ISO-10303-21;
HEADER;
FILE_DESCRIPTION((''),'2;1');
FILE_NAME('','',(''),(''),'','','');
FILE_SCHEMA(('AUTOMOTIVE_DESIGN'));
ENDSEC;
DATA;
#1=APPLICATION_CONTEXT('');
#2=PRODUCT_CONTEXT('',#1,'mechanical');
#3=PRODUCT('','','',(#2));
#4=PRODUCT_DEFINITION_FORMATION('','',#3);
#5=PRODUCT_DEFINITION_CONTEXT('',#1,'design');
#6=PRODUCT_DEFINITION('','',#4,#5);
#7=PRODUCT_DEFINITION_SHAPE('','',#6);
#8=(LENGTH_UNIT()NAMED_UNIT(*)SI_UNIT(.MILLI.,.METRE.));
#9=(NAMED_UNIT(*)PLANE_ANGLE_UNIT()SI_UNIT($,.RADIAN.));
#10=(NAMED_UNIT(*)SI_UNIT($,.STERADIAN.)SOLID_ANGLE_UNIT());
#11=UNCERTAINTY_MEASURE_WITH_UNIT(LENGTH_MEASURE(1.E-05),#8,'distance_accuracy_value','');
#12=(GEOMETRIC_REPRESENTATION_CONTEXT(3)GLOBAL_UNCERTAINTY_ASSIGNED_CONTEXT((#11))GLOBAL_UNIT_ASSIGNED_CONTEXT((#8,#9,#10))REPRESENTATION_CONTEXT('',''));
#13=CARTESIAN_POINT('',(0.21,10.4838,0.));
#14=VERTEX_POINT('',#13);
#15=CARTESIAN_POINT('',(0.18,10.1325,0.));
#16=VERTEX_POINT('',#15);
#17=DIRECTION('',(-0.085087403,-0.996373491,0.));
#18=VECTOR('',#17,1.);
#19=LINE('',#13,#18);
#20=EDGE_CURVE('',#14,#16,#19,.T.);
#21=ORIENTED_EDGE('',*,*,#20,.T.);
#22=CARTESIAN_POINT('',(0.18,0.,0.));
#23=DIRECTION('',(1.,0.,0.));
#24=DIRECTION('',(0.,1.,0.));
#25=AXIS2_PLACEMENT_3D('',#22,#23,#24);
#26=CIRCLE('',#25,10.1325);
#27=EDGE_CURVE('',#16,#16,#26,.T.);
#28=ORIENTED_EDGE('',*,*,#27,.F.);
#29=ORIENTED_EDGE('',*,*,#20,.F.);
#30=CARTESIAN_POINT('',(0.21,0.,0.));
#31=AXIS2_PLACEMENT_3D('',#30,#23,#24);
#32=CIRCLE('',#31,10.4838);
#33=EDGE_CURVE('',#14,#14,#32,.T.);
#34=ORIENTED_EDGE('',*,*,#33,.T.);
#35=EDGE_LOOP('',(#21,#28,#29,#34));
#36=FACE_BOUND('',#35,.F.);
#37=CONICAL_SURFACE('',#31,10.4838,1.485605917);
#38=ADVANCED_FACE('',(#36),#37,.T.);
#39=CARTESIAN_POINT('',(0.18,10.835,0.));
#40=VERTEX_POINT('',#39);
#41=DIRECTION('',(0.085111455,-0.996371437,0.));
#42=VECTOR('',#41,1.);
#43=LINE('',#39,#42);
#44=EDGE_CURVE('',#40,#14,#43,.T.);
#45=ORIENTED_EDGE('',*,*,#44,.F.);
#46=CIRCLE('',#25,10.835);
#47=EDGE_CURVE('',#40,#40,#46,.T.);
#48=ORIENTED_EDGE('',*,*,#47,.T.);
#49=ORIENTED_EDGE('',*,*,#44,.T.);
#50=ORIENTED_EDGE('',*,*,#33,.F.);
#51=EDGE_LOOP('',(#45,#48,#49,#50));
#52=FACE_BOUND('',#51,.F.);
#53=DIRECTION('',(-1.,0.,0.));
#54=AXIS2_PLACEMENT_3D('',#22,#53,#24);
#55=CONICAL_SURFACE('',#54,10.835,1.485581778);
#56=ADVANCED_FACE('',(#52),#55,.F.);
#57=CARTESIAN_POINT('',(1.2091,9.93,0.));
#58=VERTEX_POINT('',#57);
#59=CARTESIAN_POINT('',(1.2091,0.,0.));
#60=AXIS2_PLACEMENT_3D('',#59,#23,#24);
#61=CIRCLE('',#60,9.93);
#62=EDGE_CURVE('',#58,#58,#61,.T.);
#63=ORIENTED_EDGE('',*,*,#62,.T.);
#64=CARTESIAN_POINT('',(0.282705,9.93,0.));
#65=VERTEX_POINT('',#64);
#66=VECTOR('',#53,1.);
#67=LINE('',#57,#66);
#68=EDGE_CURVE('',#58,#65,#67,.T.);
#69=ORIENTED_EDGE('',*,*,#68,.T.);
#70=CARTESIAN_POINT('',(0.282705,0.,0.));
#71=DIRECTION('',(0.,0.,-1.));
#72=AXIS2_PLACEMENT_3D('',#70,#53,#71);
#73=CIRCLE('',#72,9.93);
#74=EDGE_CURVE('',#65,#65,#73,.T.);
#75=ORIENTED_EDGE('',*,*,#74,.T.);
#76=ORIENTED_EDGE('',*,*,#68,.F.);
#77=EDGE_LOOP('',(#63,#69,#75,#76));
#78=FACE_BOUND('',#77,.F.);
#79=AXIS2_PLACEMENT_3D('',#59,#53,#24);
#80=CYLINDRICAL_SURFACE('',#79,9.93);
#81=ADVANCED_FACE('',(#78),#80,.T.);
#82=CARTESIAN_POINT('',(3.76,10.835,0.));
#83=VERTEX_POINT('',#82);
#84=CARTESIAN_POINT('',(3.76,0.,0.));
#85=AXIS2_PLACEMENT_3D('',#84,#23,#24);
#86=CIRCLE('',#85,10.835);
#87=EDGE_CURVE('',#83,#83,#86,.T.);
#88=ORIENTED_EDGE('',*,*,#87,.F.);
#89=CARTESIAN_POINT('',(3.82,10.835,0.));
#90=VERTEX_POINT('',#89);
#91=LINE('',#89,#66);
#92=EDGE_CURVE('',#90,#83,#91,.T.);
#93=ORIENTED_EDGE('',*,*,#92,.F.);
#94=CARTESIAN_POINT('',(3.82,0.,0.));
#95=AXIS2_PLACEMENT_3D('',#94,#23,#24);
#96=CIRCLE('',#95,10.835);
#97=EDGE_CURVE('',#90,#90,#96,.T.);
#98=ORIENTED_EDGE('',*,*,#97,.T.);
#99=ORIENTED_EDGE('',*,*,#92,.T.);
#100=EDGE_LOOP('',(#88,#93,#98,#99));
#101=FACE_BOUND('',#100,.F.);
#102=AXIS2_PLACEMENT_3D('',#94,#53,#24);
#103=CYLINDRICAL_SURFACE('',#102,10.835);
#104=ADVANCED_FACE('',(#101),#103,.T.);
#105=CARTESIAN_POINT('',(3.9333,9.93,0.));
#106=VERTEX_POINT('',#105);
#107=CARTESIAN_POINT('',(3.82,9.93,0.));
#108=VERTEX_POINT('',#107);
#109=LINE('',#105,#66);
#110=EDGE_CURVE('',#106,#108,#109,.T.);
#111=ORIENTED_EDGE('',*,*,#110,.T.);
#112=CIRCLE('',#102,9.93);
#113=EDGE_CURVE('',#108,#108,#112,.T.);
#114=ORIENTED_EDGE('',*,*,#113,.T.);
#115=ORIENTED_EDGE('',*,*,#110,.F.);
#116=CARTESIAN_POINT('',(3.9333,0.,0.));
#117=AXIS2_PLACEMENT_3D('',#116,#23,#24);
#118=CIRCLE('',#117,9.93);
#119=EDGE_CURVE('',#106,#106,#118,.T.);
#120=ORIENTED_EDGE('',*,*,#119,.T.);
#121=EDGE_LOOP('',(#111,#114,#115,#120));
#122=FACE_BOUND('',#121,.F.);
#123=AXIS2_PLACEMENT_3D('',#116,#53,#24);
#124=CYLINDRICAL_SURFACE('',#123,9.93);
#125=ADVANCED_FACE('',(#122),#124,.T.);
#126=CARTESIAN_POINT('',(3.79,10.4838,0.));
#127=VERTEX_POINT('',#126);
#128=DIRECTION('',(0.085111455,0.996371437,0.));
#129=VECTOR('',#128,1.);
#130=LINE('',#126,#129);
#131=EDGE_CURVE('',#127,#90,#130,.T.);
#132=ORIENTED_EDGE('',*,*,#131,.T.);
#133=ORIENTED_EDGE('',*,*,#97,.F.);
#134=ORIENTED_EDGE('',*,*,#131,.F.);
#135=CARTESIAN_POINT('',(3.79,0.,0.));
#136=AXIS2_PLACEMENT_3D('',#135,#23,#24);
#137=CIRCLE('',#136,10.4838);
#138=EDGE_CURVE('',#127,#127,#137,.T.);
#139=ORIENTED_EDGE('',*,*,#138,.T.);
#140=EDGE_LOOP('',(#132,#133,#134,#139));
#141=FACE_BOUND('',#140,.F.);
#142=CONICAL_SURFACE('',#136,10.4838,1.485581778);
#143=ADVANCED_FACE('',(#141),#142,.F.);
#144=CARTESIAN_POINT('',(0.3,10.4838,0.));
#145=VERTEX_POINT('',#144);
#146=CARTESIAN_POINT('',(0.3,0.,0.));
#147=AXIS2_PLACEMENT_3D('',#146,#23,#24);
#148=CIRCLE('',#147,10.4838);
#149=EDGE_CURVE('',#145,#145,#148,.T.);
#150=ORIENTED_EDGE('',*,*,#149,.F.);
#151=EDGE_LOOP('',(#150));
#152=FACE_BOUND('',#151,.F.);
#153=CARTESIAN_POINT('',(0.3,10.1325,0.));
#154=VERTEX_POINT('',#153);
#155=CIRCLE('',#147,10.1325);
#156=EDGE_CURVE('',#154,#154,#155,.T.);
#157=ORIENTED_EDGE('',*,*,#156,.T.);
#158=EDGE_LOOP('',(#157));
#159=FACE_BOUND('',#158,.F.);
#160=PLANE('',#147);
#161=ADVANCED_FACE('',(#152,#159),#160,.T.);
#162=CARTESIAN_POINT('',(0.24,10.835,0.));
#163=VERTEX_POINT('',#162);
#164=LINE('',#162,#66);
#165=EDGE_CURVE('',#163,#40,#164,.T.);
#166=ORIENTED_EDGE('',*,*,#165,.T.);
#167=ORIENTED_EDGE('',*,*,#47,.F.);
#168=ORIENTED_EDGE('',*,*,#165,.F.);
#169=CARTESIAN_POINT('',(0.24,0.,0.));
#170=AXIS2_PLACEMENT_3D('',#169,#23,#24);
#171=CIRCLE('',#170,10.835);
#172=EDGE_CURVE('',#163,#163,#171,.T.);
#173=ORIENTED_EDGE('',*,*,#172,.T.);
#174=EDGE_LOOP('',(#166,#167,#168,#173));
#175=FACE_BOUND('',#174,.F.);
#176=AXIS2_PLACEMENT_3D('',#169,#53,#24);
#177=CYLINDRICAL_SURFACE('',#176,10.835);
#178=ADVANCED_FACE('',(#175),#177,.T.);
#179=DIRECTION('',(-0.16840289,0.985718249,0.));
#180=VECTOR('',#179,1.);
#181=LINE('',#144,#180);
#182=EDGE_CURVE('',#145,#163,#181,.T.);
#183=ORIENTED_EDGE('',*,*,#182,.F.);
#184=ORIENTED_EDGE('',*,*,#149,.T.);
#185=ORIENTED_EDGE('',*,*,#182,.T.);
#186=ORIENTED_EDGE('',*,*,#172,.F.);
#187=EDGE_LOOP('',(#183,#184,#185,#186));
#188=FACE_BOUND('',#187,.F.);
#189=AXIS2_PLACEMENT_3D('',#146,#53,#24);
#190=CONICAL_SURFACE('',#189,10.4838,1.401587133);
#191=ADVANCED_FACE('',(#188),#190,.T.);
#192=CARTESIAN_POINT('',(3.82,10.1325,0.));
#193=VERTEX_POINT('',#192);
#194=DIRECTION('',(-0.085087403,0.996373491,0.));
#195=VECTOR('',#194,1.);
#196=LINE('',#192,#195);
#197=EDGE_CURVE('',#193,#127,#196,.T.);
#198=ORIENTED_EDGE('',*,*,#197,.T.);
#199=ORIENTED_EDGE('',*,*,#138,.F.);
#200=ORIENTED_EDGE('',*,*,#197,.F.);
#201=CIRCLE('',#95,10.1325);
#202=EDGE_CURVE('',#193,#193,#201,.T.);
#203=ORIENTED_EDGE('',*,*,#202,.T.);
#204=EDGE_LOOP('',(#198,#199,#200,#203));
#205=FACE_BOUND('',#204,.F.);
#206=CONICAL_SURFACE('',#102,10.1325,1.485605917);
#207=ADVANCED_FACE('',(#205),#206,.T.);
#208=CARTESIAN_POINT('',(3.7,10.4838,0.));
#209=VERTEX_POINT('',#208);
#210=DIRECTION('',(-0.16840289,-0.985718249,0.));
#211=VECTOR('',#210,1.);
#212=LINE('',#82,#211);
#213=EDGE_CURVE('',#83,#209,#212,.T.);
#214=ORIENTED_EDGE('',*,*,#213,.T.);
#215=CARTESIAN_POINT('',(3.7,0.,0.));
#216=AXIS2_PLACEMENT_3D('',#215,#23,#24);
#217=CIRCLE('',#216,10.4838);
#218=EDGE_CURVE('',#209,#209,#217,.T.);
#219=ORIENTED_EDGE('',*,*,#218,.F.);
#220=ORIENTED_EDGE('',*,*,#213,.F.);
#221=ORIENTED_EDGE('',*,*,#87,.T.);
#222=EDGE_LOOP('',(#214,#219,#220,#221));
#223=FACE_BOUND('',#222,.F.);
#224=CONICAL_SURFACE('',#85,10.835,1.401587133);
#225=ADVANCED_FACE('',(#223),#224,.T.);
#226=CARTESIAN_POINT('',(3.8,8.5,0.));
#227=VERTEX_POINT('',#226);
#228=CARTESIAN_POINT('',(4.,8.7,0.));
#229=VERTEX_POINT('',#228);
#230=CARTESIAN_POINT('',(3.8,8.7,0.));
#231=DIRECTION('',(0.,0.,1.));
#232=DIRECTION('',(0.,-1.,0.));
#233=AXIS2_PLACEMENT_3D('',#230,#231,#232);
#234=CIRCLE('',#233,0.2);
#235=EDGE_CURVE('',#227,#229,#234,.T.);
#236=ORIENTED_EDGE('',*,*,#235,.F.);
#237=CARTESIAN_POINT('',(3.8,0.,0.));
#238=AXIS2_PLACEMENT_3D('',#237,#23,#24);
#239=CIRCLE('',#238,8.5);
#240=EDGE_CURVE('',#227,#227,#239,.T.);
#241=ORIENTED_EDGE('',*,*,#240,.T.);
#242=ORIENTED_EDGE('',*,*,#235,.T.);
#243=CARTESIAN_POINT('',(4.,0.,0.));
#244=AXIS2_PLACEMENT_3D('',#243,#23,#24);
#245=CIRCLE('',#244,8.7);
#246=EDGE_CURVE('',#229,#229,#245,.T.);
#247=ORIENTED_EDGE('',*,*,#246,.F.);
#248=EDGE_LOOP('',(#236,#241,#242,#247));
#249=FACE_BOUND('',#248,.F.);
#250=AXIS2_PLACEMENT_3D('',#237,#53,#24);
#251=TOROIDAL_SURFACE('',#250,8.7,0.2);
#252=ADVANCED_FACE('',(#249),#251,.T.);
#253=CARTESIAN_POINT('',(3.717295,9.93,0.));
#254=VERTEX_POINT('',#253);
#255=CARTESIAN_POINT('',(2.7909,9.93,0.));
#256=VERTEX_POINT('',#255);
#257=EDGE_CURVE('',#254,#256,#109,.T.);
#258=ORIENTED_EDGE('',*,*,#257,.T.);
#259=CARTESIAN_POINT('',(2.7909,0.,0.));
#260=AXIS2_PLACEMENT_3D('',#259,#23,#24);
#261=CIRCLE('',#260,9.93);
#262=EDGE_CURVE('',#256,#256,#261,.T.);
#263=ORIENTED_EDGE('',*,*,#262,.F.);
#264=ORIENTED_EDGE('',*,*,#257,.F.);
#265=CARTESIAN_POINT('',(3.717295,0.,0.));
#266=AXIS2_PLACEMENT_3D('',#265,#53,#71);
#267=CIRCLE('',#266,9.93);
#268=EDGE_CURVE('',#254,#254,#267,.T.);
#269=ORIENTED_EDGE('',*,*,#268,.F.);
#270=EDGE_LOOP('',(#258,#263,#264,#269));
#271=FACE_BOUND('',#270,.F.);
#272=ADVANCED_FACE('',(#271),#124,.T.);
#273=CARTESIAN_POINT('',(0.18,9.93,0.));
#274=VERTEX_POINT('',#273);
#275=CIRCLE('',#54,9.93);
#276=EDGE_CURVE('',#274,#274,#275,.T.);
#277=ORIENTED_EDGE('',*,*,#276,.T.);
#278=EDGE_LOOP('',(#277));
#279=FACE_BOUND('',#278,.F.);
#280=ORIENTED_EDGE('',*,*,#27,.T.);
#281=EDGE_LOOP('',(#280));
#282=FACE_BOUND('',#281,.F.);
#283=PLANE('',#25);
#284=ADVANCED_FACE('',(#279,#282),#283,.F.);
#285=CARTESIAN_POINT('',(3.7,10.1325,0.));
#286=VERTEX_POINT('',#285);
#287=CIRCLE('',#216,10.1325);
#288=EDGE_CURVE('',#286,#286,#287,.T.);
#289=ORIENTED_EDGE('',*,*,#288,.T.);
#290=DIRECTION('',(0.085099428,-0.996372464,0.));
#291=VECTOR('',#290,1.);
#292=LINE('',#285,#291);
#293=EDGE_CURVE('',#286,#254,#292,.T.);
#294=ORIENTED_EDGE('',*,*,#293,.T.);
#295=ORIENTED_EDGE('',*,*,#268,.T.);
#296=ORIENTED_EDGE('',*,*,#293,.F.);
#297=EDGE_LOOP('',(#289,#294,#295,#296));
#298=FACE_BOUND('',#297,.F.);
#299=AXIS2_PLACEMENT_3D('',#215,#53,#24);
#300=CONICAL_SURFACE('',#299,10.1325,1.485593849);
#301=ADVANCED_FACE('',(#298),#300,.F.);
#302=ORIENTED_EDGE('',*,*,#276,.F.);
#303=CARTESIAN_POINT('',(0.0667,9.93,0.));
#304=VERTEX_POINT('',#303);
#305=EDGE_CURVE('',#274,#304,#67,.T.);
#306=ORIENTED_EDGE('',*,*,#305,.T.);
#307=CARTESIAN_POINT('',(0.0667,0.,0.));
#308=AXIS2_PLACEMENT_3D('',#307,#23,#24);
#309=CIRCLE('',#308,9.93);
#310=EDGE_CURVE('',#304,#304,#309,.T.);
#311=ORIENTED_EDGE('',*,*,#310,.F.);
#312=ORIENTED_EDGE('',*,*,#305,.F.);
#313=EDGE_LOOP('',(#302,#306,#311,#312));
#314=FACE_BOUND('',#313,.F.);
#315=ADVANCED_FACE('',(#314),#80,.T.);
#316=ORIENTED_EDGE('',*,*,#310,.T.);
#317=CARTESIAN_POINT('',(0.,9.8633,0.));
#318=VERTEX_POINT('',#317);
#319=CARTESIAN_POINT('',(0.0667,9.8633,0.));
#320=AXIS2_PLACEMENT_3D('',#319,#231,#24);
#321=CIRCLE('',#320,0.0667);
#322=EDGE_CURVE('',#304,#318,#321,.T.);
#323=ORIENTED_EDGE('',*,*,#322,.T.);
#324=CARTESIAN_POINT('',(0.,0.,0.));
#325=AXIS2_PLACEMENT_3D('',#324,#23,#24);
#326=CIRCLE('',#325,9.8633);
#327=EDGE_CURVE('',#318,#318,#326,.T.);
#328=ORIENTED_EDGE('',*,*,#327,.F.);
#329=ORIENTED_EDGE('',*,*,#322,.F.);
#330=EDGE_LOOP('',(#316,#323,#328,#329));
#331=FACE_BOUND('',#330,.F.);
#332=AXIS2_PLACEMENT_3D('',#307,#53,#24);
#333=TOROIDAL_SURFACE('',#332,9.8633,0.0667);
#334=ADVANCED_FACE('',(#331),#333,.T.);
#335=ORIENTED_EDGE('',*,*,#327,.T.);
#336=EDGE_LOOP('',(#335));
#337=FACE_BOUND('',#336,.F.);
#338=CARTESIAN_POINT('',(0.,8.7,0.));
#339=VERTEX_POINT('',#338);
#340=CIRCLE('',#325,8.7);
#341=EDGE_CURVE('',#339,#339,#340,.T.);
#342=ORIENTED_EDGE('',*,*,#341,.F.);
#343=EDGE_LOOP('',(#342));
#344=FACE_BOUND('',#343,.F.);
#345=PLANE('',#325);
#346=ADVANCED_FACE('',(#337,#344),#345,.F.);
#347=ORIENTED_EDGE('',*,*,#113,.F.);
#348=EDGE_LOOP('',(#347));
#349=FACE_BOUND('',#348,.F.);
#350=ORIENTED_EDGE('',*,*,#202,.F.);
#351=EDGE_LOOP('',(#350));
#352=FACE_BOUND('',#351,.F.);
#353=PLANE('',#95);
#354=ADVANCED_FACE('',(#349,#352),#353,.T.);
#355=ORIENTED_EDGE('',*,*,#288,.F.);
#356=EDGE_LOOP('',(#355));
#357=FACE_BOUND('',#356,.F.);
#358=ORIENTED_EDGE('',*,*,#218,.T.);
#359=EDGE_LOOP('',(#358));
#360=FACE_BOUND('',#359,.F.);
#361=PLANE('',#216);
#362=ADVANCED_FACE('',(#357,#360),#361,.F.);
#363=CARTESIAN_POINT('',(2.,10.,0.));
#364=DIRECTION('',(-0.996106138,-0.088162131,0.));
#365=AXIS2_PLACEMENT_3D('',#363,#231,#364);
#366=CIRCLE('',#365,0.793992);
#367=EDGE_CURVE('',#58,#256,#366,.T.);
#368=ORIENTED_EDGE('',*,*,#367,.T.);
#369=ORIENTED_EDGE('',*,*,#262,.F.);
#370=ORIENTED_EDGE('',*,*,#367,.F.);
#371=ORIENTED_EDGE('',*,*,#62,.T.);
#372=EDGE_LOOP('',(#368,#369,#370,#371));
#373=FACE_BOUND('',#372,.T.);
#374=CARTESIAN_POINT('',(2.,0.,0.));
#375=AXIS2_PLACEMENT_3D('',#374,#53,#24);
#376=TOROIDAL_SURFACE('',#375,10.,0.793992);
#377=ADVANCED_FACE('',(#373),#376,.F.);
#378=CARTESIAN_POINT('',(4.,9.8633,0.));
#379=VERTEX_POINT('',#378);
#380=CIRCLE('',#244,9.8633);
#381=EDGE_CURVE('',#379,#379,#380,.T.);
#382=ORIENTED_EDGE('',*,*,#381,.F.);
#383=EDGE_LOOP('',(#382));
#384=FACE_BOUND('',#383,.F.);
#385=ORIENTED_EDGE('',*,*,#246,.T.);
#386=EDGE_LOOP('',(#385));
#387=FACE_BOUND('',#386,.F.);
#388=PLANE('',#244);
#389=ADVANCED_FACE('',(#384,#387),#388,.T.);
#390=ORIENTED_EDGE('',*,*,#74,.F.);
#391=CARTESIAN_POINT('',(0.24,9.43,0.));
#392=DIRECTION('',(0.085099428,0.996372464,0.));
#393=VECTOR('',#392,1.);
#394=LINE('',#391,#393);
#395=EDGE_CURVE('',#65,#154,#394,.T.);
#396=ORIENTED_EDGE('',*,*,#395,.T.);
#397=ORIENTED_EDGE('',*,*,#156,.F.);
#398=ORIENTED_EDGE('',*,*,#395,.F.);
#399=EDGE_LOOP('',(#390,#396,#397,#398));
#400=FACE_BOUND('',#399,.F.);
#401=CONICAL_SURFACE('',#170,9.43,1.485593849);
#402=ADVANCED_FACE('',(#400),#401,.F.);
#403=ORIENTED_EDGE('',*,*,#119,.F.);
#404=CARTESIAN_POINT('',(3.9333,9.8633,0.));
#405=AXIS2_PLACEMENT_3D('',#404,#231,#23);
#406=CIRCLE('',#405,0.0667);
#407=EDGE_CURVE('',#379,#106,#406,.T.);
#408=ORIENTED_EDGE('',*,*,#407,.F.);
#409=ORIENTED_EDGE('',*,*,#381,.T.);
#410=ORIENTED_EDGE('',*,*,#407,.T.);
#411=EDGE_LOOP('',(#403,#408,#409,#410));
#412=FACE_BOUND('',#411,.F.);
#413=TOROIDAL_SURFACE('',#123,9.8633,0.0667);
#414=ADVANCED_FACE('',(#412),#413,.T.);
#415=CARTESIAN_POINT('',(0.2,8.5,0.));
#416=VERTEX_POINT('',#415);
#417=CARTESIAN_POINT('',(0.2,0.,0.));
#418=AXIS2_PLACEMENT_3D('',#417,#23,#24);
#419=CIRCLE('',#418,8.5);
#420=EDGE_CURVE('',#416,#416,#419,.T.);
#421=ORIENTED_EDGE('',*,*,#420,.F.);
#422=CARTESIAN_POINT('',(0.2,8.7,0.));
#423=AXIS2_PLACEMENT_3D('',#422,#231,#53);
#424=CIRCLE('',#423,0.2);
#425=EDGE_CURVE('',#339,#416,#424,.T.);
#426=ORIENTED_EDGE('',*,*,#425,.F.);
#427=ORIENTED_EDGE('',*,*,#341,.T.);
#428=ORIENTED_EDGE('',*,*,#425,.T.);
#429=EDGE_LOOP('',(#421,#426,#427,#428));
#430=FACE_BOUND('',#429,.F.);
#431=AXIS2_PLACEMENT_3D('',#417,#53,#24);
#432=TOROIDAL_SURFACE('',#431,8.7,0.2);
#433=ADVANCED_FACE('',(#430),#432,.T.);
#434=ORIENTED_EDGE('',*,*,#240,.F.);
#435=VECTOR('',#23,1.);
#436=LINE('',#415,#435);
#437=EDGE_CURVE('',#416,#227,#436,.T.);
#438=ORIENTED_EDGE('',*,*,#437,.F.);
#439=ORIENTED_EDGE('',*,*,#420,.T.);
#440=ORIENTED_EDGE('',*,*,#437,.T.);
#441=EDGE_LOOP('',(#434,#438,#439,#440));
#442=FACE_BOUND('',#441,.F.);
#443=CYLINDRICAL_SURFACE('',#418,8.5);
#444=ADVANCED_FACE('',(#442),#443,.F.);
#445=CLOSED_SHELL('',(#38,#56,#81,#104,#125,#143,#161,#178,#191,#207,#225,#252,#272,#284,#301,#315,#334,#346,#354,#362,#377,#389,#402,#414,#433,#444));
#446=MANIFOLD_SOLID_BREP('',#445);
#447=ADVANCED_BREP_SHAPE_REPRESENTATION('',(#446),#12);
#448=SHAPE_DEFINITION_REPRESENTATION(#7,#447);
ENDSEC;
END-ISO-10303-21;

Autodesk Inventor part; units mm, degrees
ref_plane "YZ Plane" through (0, 0, 0) normal (1, 0, 0) x (0, 1, 0)
ref_plane "XZ Plane" through (0, 0, 0) normal (0, 1, 0) x (-1, 0, 0)
ref_plane "XY Plane" through (0, 0, 0) normal (0, 0, 1) x (1, 0, 0)
sketch "Sketch_13" plane through (0, 0, 0) normal (0, 0, 1) x (1, 0, 0)
  line L0 (50, 0) -> (-50, 0)
  line L1 (0, 9.8633) -> (0, 8.7)
  arc A0 (0, 8.7) -> (0.2, 8.5) centre (0.2, 8.7) ccw
  line L2 (0.2, 8.5) -> (3.8, 8.5)
  arc A1 (3.8, 8.5) -> (4, 8.7) centre (3.8, 8.7) ccw
  line L3 (4, 8.7) -> (4, 9.8633)
  arc A2 (4, 9.8633) -> (3.9333, 9.93) centre (3.9333, 9.8633) ccw
  line L4 (3.9333, 9.93) -> (2.7909, 9.93)
  arc A3 (1.2091, 9.93) -> (2.7909, 9.93) centre (2, 10) ccw
  line L5 (1.2091, 9.93) -> (0.0667, 9.93)
  arc A4 (0.0667, 9.93) -> (0, 9.8633) centre (0.0667, 9.8633) ccw
revolve "Revolution1" add sketch "Sketch_13" angle 360 about axis through (50, 0, 0) along (1, 0, 0)
sketch "Sketch_15" plane through (0, 0, 0) normal (0, 0, 1) x (1, 0, 0)
  line L0 (50, 0) -> (-50, 0)
  line L1 (0.18, 10.835) -> (0.21, 10.4838)
  line L2 (0.21, 10.4838) -> (0.18, 10.1325)
  line L3 (0.18, 10.1325) -> (0.18, 9.43)
  line L4 (0.18, 9.43) -> (0.24, 9.43)
  line L5 (0.24, 9.43) -> (0.3, 10.1325)
  line L6 (0.3, 10.1325) -> (0.3, 10.4838)
  line L7 (0.3, 10.4838) -> (0.24, 10.835)
  line L8 (0.24, 10.835) -> (0.18, 10.835)
revolve "Revolution2" add sketch "Sketch_15" angle 360 about axis through (50, 0, 0) along (1, 0, 0)
sketch "Sketch_16" plane through (0, 0, 0) normal (0, 0, 1) x (1, 0, 0)
  line L0 (50, 0) -> (-50, 0)
  line L1 (3.7, 10.4838) -> (3.7, 10.1325)
  line L2 (3.7, 10.1325) -> (3.76, 9.43)
  line L3 (3.76, 9.43) -> (3.82, 9.43)
  line L4 (3.82, 9.43) -> (3.82, 10.1325)
  line L5 (3.82, 10.1325) -> (3.79, 10.4838)
  line L6 (3.79, 10.4838) -> (3.82, 10.835)
  line L7 (3.82, 10.835) -> (3.76, 10.835)
  line L8 (3.76, 10.835) -> (3.7, 10.4838)
revolve "Revolution3" add sketch "Sketch_16" angle 360 about axis through (50, 0, 0) along (1, 0, 0)
properties part number "SKF_W 61703-2RS1_PART1"
